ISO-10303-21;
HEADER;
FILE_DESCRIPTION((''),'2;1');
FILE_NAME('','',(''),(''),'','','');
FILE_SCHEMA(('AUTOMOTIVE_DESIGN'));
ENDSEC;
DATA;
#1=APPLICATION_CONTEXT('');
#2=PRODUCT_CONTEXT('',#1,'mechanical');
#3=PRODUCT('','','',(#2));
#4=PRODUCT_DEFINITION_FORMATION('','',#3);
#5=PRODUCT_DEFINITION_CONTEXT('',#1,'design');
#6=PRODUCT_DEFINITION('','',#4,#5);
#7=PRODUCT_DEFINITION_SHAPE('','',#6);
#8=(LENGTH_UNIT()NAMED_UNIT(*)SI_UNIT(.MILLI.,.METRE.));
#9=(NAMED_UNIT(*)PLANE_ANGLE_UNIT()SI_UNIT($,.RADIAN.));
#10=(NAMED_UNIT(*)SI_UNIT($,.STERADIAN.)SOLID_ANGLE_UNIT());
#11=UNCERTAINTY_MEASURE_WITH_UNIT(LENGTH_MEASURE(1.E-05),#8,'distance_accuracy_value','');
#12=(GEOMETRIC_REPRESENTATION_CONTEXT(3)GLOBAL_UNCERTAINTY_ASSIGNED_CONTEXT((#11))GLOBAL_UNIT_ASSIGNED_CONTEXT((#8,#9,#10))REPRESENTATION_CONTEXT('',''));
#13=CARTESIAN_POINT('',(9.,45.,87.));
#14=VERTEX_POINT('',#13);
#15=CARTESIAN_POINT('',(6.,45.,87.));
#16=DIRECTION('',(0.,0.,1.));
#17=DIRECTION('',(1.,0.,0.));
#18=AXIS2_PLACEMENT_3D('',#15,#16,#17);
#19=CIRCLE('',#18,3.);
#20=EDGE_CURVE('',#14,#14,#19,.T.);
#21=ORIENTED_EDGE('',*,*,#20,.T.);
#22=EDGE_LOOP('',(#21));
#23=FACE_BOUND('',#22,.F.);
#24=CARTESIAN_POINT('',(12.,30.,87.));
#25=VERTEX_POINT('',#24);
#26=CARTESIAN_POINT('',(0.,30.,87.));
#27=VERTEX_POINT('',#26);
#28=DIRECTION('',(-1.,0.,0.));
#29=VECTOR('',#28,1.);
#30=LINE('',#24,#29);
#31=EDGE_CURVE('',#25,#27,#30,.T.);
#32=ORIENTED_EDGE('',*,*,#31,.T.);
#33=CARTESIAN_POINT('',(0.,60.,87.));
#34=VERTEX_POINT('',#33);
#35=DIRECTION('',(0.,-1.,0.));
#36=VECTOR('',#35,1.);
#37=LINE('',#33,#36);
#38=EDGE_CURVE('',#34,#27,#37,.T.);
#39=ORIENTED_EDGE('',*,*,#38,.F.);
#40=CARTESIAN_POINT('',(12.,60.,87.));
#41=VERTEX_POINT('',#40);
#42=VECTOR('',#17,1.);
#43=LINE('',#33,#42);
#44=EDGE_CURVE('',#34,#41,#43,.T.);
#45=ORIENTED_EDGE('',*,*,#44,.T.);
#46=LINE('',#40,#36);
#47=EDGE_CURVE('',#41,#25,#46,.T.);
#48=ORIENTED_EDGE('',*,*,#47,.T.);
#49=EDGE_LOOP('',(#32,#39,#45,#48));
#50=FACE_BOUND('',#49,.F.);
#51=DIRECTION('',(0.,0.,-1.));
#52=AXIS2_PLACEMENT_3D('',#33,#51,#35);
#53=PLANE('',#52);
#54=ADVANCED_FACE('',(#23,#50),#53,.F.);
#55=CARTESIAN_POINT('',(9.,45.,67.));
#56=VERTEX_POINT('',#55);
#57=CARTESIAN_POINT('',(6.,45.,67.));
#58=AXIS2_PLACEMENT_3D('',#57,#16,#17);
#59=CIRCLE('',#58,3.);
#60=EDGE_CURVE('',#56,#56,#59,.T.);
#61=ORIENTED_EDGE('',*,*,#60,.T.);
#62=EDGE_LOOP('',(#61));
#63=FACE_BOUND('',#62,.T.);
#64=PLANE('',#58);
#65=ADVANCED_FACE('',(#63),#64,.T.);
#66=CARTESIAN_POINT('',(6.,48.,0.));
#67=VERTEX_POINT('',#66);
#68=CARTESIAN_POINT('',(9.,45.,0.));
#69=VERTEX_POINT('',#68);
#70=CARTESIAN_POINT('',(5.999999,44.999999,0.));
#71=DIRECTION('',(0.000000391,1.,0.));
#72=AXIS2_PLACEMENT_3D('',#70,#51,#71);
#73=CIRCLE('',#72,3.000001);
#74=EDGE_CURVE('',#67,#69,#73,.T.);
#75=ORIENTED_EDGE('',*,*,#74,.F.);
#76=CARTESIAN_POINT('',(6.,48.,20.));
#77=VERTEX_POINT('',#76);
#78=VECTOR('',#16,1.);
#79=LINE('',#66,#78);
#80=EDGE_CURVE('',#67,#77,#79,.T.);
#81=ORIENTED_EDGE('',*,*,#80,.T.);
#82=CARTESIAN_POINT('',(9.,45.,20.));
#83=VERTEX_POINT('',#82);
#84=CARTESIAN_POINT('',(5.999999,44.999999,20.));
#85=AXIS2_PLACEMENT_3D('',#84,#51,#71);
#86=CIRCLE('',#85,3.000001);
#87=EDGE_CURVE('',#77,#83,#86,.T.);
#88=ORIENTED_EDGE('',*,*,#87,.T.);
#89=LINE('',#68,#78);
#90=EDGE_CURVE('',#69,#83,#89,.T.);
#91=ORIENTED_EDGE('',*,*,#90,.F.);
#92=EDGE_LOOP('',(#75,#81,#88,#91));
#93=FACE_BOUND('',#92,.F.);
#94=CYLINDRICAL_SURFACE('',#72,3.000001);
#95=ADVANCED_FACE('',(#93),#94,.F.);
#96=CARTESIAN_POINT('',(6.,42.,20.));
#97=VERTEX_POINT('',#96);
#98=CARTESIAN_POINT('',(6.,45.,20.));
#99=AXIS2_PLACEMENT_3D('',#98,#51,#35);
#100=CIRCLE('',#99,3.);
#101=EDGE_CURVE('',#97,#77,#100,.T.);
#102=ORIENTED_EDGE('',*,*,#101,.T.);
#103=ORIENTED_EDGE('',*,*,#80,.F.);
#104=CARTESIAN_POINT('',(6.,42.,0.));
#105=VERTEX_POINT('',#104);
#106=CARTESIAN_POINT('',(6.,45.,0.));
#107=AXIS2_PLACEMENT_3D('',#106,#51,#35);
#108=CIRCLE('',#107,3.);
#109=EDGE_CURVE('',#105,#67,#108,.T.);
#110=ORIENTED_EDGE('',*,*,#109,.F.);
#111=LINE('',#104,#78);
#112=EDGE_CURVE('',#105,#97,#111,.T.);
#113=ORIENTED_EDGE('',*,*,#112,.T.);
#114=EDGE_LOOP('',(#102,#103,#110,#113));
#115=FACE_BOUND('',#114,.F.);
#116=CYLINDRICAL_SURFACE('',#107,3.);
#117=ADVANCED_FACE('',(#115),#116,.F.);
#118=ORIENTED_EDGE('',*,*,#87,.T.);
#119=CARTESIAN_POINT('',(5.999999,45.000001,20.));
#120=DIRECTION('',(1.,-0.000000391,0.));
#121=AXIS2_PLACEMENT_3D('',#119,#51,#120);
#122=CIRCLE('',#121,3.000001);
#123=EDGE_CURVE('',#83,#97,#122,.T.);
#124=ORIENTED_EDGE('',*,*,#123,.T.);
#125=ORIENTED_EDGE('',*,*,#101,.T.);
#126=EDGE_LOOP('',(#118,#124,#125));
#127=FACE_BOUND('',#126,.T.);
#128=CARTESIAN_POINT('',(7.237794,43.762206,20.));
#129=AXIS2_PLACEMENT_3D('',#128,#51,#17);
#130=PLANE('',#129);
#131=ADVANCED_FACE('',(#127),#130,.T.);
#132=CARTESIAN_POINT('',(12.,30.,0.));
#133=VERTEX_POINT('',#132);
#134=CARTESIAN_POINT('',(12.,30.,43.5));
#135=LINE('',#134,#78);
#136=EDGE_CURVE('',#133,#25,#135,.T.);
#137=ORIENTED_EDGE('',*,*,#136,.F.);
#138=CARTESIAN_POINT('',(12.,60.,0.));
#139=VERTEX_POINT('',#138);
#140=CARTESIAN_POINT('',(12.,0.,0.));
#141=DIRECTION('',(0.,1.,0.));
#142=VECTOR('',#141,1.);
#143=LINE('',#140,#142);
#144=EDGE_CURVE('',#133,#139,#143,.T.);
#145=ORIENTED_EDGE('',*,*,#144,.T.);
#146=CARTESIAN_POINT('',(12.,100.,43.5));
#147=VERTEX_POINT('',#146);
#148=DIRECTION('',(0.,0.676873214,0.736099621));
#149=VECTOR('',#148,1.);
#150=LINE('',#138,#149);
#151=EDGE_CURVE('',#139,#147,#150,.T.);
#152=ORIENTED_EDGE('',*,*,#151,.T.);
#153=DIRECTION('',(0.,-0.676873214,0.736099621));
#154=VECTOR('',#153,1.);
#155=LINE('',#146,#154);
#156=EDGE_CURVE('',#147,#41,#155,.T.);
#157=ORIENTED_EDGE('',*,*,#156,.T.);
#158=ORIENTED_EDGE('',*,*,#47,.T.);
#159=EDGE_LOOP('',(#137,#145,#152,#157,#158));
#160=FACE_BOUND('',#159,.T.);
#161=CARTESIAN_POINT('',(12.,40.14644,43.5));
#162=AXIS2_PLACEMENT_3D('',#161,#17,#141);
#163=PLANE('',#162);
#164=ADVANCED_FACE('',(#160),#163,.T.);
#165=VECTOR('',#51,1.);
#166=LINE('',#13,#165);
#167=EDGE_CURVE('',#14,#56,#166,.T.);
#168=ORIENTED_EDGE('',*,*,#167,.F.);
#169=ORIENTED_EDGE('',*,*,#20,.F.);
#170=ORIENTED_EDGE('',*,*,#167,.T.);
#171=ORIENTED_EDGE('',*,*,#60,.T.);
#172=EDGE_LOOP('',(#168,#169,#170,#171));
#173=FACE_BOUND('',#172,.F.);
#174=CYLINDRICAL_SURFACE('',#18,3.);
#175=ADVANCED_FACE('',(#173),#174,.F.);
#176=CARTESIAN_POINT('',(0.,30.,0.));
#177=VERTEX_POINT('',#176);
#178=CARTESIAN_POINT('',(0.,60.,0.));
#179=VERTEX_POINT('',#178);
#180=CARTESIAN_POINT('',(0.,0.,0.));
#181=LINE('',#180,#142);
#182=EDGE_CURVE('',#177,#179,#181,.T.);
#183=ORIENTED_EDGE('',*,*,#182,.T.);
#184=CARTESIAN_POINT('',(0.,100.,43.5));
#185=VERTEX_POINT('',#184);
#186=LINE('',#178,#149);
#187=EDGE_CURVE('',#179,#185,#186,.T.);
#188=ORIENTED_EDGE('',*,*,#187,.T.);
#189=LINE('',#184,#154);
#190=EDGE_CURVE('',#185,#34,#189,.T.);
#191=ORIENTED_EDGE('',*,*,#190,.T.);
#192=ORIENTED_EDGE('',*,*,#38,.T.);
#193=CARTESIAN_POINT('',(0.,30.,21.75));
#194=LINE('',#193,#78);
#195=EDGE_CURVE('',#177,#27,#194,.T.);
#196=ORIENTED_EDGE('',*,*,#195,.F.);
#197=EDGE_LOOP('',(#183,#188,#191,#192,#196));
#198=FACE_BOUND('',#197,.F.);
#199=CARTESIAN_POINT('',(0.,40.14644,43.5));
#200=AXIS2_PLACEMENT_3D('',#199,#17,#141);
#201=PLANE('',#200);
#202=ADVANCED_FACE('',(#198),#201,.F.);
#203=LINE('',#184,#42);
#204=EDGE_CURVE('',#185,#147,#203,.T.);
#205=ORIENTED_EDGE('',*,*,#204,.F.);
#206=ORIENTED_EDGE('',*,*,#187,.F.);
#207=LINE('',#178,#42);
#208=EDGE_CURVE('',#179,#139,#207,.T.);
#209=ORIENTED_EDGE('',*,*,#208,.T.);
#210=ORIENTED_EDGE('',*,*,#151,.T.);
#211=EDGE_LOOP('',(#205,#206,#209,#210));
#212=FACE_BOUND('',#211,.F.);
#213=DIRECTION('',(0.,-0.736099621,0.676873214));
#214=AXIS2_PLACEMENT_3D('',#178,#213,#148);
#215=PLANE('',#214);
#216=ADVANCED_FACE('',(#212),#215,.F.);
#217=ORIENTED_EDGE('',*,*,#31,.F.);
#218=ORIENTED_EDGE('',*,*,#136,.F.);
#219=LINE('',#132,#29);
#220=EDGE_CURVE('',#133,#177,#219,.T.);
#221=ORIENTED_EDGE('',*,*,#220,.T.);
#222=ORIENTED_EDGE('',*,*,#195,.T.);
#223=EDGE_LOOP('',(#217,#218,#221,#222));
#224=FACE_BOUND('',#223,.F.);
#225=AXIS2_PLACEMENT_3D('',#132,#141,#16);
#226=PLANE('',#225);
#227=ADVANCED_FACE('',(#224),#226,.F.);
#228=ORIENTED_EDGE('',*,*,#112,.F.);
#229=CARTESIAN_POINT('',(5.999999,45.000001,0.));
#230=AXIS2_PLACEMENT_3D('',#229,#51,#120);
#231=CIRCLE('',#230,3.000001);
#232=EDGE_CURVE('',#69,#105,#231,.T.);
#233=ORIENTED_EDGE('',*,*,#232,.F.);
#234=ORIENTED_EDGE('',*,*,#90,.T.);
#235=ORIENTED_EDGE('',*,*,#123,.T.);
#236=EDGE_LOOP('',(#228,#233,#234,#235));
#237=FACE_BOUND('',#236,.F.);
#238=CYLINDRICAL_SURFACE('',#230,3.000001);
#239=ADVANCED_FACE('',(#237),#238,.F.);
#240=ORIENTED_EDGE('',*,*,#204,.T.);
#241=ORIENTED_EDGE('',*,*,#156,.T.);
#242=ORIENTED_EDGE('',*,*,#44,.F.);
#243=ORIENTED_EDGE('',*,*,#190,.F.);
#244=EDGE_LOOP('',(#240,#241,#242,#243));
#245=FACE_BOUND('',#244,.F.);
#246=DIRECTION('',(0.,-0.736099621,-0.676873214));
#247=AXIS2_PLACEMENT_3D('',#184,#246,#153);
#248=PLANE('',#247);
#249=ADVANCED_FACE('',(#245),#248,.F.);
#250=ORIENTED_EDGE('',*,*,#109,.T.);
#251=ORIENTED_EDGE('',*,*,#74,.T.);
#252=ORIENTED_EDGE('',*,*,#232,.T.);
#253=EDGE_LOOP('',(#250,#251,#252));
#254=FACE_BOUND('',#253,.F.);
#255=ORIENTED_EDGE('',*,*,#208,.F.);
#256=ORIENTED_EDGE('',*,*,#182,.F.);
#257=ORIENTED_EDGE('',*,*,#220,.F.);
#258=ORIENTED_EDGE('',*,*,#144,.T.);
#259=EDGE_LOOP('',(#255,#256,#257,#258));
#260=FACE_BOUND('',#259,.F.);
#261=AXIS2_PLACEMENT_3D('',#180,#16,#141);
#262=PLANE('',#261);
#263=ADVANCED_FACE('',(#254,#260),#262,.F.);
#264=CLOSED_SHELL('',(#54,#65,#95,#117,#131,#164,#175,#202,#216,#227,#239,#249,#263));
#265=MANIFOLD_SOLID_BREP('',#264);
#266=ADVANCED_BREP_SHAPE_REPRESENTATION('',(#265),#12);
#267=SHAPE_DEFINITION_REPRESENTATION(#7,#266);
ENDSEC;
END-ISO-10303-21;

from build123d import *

# Parameters (mm, degrees)
F1_DEPTH = 12
F2_R     = 3
F3_DEPTH = 20
F4_R     = 3
F5_DEPTH = 20
F6_W     = 30
F6_H     = 87
F7_DEPTH = 25


with BuildPart() as f1:
    # F0 (on Right) → F1 (new body)
    with BuildSketch(Plane.YZ):
        Polygon((0, 87), (0, 0), (60, 0), (100, 43.5), (60, 87), align=None)
    extrude(amount=F1_DEPTH)

    # F2 (on face) → F3 (cut)
    with BuildSketch(Plane.XY.offset(87)):
        with Locations((6, 45)):
            Circle(F2_R)
        with Locations((6, 15)):
            Circle(F2_R)
        with Locations((6, -15)):
            Circle(F2_R)
    extrude(amount=-F3_DEPTH, mode=Mode.SUBTRACT)

    # F4 (on face) → F5 (cut)
    with BuildSketch(Plane(origin=(0, 0, 0), x_dir=(1, 0, 0), z_dir=(0, 0, -1))):
        with BuildLine():
            ThreePointArc((9, -15), (8.12132, -12.87868), (6, -12))
            Line((6, -12), (6, -15))
            Line((6, -15), (6, -18))
            ThreePointArc((6, -18), (8.12132, -17.12132), (9, -15))
        make_face()
        with BuildLine():
            ThreePointArc((9, -45), (8.12132, -42.87868), (6, -42))
            Line((6, -42), (6, -45))
            Line((6, -45), (9, -45))
        make_face()
        with BuildLine():
            Line((6, -45), (6, -42))
            ThreePointArc((6, -42), (3, -45), (6, -48))
            Line((6, -48), (6, -45))
        make_face()
        with BuildLine():
            Line((6, -15), (6, -12))
            ThreePointArc((6, -12), (3, -15), (6, -18))
            Line((6, -18), (6, -15))
        make_face()
        with BuildLine():
            Line((9, -45), (6, -45))
            Line((6, -45), (6, -48))
            ThreePointArc((6, -48), (8.12132, -47.12132), (9, -45))
        make_face()
        with Locations((6, 15)):
            Circle(F4_R)
    extrude(amount=-F5_DEPTH, mode=Mode.SUBTRACT)

    # F6 (on face) → F7 (cut)
    with BuildSketch(Plane.YZ.offset(12)):
        with Locations((15, 43.5)):
            Rectangle(F6_W, F6_H)
    extrude(amount=-F7_DEPTH, mode=Mode.SUBTRACT)


solid = f1.part
